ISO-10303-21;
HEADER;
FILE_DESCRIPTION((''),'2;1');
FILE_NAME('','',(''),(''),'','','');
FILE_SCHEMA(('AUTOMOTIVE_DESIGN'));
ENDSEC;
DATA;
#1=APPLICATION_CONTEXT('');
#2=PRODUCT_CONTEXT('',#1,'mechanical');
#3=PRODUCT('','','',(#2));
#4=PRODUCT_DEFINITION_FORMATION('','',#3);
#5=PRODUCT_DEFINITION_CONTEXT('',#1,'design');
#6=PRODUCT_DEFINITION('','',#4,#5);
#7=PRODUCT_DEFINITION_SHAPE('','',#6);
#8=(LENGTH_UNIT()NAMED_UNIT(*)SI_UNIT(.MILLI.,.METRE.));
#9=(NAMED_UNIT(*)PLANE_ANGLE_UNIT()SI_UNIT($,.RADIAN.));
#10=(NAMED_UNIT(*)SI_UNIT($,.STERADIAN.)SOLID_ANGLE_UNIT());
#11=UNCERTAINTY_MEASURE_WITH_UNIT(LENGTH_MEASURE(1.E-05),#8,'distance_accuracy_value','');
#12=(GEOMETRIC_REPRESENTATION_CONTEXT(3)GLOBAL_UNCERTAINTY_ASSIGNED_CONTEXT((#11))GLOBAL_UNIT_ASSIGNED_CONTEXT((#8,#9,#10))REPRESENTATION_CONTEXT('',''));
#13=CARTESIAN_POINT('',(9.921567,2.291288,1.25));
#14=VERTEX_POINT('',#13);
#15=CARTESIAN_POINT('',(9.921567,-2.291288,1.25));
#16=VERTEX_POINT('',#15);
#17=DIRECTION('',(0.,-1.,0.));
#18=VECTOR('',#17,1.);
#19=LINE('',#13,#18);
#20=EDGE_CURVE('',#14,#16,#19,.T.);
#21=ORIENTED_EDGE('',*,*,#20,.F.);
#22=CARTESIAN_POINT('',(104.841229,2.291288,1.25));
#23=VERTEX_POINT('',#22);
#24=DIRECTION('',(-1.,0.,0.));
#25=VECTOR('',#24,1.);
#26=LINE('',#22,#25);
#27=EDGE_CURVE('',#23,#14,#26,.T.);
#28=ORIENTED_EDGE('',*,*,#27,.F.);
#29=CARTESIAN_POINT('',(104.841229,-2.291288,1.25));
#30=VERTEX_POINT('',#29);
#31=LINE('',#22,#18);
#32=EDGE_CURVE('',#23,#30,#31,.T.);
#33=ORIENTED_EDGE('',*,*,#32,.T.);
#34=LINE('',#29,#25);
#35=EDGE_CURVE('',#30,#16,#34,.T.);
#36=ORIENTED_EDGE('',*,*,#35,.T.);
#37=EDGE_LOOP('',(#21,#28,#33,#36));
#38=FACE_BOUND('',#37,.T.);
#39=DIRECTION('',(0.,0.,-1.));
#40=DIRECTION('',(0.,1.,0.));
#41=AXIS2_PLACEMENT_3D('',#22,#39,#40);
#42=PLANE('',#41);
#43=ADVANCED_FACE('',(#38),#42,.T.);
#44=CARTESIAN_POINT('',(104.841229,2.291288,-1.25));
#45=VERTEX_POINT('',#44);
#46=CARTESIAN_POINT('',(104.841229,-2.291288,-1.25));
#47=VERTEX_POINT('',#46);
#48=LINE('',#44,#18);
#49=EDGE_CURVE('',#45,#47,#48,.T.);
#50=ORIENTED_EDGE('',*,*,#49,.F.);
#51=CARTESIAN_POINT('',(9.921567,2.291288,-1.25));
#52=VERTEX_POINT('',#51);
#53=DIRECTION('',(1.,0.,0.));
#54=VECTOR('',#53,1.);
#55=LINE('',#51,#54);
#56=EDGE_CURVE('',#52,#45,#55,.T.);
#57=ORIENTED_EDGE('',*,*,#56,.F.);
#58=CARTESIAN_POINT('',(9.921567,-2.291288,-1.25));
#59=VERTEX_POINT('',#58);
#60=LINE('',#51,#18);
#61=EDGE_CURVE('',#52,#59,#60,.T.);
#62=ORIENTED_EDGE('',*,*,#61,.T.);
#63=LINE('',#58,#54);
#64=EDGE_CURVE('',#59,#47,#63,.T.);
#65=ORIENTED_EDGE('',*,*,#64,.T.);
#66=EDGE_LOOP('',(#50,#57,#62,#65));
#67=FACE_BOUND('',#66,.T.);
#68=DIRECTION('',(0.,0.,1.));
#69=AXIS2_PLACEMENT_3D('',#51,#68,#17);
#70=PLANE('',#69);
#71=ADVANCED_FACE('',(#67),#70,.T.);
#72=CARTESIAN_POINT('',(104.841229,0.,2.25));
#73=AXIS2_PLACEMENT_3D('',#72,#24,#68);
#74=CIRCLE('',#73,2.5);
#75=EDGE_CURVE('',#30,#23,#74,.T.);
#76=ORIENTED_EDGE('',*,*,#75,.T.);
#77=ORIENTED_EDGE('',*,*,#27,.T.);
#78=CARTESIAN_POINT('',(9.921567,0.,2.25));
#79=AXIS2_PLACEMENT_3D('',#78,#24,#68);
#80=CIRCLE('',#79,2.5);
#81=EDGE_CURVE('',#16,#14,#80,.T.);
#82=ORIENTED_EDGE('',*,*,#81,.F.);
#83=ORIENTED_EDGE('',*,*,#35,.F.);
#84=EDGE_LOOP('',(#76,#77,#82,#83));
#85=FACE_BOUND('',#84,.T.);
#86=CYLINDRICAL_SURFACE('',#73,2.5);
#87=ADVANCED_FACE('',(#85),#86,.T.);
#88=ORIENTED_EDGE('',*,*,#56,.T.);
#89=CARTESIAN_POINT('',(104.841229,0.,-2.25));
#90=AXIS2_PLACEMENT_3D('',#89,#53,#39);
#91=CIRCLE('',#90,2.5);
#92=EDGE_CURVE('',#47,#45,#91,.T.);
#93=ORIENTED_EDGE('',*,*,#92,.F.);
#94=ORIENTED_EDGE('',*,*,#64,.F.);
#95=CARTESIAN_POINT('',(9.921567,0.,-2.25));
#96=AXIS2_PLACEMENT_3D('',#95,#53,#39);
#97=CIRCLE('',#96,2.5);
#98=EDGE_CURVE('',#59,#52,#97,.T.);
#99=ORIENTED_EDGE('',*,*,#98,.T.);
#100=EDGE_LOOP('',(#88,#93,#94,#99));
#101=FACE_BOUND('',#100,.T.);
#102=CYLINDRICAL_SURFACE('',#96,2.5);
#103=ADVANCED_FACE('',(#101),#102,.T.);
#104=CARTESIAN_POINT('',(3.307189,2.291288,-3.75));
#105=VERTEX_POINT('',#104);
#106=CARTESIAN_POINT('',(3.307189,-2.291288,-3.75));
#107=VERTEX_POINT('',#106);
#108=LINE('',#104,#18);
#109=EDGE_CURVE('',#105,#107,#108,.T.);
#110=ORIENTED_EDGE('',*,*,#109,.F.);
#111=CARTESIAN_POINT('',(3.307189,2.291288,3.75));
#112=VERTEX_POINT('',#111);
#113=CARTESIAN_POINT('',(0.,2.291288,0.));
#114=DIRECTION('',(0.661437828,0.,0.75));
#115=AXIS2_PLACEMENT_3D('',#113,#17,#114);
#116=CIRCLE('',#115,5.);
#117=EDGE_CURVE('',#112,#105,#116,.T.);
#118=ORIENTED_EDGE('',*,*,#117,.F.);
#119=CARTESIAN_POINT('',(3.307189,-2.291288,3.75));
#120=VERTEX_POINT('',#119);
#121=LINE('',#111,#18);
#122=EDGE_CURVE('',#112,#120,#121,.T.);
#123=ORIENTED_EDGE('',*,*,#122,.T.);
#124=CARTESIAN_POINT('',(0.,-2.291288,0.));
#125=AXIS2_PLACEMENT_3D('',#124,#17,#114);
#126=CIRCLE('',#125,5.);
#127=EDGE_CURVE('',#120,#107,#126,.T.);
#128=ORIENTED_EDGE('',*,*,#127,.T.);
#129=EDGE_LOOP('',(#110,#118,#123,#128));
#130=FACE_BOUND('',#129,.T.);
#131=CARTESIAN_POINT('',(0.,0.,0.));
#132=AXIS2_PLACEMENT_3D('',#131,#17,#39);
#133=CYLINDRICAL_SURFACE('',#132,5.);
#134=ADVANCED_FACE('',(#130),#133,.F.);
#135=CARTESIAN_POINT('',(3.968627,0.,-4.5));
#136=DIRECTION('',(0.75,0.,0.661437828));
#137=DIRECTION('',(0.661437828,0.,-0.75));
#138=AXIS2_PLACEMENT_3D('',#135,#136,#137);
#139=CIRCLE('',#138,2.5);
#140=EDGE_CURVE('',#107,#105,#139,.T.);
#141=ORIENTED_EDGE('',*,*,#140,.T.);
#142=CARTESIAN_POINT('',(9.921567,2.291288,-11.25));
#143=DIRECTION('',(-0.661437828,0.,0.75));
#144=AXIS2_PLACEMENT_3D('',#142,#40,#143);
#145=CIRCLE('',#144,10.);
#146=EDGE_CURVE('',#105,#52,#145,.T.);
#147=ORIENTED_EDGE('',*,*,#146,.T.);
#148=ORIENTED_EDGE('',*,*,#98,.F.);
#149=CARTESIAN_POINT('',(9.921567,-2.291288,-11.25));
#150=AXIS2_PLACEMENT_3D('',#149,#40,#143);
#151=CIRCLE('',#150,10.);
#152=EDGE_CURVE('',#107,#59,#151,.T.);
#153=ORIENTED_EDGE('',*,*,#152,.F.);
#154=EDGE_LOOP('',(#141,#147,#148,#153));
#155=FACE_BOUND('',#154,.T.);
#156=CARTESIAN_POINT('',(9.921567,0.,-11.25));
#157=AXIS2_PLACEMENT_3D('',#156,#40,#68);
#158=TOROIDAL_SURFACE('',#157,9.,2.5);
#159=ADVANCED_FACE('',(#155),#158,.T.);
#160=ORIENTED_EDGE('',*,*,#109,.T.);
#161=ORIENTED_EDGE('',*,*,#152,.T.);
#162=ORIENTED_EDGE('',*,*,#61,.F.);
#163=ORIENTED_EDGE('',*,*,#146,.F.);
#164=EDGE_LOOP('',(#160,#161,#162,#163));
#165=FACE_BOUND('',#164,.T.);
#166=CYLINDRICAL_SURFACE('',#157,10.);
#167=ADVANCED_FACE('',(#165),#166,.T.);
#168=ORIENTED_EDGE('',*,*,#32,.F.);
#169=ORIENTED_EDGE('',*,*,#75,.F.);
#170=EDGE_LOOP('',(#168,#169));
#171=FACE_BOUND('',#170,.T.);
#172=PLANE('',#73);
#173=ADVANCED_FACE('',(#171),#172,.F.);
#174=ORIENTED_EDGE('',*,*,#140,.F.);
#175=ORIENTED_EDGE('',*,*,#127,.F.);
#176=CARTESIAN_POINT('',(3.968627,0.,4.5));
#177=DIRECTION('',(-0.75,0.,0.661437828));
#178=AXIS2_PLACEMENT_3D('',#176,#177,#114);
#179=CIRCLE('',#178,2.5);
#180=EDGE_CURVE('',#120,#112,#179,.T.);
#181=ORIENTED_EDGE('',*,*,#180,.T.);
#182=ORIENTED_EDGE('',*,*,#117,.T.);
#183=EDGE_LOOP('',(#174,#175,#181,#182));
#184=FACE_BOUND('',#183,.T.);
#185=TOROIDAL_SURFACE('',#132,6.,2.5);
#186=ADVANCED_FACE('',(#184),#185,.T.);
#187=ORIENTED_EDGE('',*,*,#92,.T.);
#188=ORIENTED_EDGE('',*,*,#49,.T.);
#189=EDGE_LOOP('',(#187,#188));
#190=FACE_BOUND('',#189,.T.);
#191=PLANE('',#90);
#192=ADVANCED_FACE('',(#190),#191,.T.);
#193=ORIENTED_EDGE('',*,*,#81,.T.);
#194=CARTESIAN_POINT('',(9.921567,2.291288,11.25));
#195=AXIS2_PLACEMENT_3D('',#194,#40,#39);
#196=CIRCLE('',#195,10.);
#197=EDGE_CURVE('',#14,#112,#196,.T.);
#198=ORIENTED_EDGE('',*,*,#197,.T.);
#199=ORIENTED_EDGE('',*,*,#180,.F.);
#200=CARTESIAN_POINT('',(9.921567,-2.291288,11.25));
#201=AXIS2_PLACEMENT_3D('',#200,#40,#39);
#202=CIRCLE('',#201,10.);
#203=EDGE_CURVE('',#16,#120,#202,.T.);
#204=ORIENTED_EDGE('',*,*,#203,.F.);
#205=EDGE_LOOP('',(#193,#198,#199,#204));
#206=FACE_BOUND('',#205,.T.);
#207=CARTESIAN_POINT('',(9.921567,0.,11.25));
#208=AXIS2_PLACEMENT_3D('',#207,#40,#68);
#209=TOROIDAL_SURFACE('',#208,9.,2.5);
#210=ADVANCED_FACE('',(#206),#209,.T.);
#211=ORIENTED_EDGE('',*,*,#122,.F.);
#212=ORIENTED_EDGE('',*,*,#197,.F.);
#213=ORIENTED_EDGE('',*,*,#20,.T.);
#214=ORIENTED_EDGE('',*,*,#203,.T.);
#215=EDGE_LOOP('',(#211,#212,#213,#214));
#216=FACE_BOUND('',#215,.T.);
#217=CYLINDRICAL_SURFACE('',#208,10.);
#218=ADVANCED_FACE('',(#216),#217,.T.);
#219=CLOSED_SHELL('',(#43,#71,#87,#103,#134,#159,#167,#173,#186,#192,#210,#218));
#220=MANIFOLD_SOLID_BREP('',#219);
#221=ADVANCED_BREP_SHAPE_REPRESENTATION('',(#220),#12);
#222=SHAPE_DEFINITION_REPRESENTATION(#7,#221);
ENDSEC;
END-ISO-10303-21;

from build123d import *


with BuildPart() as part:
    # Sweep1: sweep along a path in Sketch2
    with BuildLine(Plane(origin=(0, 0, 0), x_dir=(1, 0, 0), z_dir=(0, 1, 0))) as sweep1_path:
        Line((104.841229183, 1.25), (9.921567416, 1.25))
        ThreePointArc((9.921567416, 1.25), (6.386033511, 1.895856533), (3.307189139, 3.75))
        ThreePointArc((3.307189139, 3.75), (-5, 0), (3.307189139, -3.75))
        ThreePointArc((3.307189139, -3.75), (6.386033511, -1.895856533), (9.921567416, -1.25))
        Line((9.921567416, -1.25), (104.841229183, -1.25))
    # Sketch3 → Sweep1 (sweep)
    with BuildSketch(Plane.ZY.offset(-104.841229183)):
        with BuildLine():
            Line((1.25, 2.291287847), (1.25, -2.291287847))
            ThreePointArc((1.25, -2.291287847), (4.75, 0), (1.25, 2.291287847))
        make_face()
    sweep(path=sweep1_path.line)


solid = part.part
